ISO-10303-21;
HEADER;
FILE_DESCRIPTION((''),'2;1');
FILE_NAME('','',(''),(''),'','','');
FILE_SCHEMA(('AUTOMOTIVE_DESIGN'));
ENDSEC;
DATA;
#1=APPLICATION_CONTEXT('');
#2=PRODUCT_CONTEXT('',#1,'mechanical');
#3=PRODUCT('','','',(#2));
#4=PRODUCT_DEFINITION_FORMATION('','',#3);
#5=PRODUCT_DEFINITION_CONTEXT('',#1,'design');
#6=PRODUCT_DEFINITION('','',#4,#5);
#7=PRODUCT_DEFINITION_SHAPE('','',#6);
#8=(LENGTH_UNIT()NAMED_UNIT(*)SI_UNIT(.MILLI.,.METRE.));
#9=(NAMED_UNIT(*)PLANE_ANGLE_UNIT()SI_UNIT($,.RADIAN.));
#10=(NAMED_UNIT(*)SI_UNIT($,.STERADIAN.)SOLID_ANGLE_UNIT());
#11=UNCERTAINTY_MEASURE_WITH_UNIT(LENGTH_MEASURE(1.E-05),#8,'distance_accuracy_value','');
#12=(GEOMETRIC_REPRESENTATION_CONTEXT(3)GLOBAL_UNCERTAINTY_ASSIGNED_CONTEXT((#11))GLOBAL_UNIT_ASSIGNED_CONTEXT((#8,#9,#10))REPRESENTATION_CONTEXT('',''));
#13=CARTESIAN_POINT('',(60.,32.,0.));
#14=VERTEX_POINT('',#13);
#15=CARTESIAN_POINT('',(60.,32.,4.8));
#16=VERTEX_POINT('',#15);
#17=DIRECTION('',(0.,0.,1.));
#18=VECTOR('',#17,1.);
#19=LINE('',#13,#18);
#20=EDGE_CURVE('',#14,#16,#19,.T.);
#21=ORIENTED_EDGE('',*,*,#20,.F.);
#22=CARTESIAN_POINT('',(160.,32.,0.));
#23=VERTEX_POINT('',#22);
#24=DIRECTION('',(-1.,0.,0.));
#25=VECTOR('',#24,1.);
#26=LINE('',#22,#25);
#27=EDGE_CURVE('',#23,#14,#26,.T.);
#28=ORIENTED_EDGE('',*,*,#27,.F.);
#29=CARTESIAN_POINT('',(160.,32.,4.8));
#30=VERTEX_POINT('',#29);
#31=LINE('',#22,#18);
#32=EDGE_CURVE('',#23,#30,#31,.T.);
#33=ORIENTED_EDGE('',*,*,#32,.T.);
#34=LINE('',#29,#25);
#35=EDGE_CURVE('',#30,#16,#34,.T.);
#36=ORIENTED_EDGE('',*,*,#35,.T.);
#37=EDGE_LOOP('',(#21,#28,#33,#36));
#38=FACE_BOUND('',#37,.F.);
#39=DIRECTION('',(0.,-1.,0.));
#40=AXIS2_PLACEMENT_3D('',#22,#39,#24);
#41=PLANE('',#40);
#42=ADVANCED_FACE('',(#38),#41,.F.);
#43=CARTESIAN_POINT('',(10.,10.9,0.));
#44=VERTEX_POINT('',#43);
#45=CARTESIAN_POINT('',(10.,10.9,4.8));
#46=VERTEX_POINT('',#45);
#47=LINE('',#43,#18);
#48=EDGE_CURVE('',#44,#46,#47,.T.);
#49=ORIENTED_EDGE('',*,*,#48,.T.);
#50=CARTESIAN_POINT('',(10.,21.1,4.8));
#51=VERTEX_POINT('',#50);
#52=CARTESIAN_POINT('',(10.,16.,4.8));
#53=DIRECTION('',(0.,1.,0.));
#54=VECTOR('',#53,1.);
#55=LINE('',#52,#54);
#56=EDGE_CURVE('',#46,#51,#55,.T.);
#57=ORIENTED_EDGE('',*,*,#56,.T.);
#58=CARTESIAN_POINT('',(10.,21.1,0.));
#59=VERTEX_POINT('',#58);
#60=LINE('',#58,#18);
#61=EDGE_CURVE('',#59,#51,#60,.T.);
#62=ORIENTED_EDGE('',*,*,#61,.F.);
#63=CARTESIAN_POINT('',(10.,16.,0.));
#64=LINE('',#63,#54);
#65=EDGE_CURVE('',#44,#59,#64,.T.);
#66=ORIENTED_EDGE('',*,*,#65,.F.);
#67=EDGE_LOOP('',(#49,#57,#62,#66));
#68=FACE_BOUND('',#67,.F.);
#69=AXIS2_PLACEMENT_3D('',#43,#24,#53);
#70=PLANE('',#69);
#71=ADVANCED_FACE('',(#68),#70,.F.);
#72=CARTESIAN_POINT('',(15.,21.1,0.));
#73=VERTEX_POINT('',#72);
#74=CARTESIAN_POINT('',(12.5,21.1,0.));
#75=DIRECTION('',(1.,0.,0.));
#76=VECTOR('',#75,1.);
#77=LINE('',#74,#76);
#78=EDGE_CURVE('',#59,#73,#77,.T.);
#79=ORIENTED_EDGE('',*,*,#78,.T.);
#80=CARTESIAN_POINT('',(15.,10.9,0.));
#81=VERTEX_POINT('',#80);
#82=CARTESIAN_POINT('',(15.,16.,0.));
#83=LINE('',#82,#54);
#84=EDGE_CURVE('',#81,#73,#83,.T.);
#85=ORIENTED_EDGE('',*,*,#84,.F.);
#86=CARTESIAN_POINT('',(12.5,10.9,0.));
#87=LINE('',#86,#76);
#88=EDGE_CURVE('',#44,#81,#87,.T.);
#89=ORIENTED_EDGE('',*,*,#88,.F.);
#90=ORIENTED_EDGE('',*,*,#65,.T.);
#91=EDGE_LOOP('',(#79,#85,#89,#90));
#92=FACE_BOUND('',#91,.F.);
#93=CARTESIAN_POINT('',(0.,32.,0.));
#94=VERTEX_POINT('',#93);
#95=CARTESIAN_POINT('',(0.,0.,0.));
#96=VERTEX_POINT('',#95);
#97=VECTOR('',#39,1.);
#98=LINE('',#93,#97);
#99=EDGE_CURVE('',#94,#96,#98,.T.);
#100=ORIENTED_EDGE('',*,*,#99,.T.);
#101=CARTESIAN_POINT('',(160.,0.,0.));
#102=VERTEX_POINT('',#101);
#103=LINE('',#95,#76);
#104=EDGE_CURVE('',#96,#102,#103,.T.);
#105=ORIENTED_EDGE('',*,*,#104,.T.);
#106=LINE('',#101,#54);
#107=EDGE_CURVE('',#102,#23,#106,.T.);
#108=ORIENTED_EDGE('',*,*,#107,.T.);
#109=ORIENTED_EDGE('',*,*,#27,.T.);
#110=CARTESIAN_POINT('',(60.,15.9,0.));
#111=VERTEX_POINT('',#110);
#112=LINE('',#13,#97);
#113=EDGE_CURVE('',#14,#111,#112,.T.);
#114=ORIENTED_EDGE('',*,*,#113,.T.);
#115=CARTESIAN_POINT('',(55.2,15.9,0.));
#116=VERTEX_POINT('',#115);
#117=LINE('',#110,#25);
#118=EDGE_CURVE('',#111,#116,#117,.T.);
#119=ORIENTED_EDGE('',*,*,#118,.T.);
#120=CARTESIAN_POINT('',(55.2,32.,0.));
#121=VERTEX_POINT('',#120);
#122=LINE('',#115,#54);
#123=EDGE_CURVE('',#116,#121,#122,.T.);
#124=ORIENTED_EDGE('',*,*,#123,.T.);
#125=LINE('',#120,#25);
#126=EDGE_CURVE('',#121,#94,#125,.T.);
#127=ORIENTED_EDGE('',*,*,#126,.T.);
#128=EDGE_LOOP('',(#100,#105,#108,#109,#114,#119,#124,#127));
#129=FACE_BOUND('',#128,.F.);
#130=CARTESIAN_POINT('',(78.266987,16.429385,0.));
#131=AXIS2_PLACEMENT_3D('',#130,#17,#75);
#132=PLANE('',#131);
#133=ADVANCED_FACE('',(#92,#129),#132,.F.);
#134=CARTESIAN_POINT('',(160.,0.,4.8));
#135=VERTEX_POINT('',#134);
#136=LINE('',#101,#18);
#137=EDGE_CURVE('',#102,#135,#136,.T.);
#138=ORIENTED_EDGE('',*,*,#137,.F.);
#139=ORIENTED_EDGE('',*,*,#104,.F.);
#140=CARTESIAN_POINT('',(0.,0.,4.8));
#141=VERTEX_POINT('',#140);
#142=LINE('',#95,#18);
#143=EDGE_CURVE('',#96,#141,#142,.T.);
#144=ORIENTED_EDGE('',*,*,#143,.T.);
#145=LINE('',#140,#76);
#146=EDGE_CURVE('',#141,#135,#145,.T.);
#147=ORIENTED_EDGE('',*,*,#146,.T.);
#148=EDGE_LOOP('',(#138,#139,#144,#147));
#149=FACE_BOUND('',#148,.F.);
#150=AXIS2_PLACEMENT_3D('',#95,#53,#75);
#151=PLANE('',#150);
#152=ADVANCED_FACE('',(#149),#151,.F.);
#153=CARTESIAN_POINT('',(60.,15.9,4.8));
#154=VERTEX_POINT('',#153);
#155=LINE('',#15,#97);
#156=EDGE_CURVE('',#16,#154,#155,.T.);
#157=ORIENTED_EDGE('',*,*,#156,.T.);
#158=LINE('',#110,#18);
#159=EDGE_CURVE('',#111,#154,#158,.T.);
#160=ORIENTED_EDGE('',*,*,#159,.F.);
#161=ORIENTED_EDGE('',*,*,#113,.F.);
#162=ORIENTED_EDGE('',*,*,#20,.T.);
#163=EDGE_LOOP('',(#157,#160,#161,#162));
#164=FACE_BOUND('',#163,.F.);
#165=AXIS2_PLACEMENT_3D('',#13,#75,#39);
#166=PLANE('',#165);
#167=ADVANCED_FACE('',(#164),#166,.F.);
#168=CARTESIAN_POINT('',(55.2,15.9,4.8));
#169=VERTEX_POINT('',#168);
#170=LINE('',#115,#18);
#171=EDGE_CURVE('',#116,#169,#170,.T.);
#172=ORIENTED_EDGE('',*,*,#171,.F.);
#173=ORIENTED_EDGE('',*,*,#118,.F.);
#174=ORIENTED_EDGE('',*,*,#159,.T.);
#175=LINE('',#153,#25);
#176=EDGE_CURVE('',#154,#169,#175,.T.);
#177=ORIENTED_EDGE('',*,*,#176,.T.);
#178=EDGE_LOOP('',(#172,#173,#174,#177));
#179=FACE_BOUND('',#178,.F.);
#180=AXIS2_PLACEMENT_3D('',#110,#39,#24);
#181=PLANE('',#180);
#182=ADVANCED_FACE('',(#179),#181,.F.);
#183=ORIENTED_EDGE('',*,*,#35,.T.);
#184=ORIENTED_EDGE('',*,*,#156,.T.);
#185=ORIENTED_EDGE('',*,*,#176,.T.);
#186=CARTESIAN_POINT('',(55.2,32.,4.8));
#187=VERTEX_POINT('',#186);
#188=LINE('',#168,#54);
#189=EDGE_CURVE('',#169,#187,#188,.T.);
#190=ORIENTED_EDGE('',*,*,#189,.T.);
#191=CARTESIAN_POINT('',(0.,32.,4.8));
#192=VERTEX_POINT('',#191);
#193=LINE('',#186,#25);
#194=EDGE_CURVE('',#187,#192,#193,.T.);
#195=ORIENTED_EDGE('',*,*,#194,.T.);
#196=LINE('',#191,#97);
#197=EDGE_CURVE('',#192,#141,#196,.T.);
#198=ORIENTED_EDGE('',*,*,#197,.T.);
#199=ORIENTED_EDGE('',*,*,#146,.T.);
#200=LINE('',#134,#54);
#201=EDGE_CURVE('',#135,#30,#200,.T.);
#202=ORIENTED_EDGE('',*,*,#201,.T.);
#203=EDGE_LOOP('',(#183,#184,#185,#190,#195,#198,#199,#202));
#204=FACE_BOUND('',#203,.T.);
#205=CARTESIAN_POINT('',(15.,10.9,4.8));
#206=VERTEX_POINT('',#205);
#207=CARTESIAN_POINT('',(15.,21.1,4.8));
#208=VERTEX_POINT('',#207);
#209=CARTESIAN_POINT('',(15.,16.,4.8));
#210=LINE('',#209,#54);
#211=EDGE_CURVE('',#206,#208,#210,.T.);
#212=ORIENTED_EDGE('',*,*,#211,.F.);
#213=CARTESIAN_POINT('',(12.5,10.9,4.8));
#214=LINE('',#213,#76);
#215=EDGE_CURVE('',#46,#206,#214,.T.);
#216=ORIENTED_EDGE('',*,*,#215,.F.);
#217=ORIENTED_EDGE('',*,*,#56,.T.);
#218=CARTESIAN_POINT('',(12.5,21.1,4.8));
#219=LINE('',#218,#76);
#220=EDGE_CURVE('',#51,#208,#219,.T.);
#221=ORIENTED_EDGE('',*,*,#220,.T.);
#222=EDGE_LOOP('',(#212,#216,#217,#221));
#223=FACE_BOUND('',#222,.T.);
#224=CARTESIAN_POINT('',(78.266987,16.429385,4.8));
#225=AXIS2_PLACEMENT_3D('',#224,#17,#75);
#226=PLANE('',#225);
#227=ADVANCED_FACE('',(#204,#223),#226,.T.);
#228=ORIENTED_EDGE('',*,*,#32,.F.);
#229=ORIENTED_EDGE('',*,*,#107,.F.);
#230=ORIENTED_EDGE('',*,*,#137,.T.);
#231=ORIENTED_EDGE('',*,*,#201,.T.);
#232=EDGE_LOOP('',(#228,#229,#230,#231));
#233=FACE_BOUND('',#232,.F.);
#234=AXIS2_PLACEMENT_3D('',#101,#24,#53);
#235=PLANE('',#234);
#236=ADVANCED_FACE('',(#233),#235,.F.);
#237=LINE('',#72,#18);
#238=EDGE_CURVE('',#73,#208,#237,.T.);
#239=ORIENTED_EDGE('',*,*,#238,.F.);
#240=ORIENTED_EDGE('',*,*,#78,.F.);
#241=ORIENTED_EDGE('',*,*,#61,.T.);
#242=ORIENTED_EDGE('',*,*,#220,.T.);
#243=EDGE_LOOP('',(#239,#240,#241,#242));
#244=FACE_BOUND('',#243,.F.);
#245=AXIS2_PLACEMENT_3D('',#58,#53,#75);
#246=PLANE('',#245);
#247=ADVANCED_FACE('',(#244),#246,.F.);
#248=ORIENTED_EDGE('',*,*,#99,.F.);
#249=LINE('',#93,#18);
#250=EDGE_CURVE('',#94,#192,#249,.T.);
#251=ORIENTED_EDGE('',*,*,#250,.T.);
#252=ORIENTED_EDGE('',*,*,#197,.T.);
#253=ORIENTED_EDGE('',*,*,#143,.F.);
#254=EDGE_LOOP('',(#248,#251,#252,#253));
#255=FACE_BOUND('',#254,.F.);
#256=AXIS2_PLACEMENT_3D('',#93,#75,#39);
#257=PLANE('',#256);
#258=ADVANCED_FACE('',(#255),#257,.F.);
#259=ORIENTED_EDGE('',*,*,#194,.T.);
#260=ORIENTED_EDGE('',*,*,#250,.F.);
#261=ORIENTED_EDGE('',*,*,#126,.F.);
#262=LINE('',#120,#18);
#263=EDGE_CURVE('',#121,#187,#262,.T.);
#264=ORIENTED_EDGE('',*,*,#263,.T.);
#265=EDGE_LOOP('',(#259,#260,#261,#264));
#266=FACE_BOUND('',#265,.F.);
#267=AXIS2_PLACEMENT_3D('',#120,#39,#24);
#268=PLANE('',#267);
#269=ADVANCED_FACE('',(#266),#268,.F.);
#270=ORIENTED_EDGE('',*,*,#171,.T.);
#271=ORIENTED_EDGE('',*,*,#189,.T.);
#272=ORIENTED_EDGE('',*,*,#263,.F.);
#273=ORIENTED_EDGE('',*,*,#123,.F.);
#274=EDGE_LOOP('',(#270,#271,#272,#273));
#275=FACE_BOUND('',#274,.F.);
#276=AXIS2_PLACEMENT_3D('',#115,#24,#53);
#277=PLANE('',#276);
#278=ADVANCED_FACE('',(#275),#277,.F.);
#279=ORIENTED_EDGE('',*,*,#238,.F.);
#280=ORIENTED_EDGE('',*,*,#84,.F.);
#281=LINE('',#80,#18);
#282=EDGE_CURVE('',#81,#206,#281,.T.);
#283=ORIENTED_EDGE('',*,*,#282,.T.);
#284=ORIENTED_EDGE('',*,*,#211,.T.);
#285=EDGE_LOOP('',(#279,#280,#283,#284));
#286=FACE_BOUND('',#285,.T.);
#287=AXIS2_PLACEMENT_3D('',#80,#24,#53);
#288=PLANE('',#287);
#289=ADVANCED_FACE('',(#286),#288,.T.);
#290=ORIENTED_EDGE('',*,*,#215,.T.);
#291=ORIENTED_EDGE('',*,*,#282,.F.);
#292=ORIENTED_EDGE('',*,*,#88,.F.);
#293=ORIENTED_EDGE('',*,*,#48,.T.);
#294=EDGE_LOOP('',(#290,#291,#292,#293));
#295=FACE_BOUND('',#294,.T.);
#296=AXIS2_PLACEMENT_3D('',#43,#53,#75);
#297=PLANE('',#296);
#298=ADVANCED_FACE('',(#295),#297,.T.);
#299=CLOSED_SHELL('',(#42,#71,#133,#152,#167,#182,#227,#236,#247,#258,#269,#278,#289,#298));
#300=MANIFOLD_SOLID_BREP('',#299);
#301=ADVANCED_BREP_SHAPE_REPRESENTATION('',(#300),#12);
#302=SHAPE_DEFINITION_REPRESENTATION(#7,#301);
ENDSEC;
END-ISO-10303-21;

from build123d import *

# Parameters (mm, degrees)
F0_W     = 5
F0_H     = 10.2
F1_DEPTH = 4.8


with BuildPart() as f1:
    # F0 (on Top) → F1 (new body)
    with BuildSketch(Plane.XY):
        Polygon((0, 32), (0, 0), (160, 0), (160, 32), (60, 32), (60, 15.9), (55.2, 15.9), (55.2, 32), align=None)
        with Locations((12.5, 16)):
            Rectangle(F0_W, F0_H, mode=Mode.SUBTRACT)
    extrude(amount=F1_DEPTH)


solid = f1.part
